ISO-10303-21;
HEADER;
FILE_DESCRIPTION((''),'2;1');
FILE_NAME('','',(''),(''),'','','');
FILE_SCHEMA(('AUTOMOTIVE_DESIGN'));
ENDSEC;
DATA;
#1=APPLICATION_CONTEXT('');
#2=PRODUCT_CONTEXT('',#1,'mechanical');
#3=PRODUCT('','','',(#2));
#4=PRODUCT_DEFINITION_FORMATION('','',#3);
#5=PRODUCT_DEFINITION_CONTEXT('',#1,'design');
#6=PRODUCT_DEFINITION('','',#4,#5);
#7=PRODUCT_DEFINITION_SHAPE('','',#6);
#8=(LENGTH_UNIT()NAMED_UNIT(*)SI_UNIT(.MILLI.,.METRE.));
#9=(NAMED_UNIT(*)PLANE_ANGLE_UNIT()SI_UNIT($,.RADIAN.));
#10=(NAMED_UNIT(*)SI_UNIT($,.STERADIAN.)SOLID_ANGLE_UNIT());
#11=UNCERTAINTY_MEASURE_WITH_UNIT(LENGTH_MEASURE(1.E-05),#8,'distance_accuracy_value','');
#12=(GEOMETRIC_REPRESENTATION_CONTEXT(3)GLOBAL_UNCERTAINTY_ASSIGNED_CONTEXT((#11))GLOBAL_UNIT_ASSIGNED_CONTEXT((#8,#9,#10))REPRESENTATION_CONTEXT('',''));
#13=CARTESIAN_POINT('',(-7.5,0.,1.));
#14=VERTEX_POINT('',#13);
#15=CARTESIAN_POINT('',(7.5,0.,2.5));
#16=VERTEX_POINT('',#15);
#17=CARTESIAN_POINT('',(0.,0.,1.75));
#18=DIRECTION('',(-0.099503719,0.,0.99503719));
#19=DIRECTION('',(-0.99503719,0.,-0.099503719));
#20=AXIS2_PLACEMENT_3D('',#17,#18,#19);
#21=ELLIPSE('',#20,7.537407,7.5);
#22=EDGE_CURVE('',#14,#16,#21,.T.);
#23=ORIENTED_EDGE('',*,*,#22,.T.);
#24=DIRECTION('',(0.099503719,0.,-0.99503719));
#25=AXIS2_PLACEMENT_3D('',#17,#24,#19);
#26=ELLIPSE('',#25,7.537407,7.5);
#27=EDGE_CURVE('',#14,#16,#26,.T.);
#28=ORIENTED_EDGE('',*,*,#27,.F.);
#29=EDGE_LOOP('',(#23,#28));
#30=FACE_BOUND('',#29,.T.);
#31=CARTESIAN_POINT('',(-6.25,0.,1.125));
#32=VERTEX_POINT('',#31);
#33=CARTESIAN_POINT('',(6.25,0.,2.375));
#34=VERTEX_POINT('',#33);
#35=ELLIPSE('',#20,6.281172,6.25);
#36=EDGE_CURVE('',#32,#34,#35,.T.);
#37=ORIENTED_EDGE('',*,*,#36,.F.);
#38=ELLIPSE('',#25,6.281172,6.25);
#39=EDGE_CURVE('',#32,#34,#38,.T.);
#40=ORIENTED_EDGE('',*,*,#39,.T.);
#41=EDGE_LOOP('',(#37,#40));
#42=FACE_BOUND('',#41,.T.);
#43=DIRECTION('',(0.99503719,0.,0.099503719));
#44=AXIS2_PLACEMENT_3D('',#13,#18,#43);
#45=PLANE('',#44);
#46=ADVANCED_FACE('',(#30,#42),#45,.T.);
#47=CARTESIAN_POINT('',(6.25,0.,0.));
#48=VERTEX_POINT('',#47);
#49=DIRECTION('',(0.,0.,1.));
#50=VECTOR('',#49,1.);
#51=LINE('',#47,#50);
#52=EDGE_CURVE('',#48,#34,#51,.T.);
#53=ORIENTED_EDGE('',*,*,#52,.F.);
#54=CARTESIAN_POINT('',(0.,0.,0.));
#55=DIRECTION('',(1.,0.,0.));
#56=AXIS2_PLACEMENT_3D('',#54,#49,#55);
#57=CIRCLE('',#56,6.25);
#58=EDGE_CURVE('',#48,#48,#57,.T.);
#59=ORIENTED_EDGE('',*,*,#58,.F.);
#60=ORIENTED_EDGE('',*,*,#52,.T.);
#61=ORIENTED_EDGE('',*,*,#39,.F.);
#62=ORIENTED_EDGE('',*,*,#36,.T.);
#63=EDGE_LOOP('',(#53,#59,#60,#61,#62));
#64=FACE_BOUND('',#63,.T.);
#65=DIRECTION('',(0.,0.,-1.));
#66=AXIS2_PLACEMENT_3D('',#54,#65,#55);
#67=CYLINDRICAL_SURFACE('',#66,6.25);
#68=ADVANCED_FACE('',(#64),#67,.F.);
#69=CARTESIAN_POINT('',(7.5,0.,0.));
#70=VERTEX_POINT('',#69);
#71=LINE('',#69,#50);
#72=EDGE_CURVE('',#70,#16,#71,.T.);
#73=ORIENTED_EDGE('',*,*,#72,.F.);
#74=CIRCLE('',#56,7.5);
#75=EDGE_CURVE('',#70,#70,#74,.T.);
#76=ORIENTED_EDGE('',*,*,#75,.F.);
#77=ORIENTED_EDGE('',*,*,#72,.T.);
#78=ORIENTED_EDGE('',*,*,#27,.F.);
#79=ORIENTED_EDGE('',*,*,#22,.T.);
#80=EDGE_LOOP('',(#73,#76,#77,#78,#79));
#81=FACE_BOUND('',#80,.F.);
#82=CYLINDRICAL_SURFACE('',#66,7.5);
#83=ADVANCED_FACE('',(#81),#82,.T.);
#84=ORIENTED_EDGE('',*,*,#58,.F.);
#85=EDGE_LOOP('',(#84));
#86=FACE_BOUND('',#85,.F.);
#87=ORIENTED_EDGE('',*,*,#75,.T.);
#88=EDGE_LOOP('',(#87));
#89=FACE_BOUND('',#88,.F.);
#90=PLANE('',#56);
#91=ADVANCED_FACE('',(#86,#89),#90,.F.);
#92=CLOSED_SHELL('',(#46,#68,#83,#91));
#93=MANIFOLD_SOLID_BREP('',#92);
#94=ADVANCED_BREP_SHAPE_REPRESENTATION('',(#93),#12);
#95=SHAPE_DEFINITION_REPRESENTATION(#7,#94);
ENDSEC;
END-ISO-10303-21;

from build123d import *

# Parameters (mm, degrees)
F0_R          = 7.5
F0_R_2        = 6.25
F1_DEPTH      = 25
F3_DEPTH      = 25
F3_DEPTH_BACK = 25


with BuildPart() as f1:
    # F0 (on Top) → F1 (new body)
    with BuildSketch(Plane.XY):
        Circle(F0_R)
        Circle(F0_R_2, mode=Mode.SUBTRACT)
    extrude(amount=F1_DEPTH)

    # F2 (on Front) → F3 (cut, two sides)
    with BuildSketch(Plane.XZ) as f3_sk:
        Polygon((-7.5, 25), (-7.5, 1), (7.5, 2.5), (7.5, 25), align=None)
    extrude(amount=-F3_DEPTH, mode=Mode.SUBTRACT)
    extrude(f3_sk.sketch, amount=F3_DEPTH_BACK, mode=Mode.SUBTRACT)


solid = f1.part
